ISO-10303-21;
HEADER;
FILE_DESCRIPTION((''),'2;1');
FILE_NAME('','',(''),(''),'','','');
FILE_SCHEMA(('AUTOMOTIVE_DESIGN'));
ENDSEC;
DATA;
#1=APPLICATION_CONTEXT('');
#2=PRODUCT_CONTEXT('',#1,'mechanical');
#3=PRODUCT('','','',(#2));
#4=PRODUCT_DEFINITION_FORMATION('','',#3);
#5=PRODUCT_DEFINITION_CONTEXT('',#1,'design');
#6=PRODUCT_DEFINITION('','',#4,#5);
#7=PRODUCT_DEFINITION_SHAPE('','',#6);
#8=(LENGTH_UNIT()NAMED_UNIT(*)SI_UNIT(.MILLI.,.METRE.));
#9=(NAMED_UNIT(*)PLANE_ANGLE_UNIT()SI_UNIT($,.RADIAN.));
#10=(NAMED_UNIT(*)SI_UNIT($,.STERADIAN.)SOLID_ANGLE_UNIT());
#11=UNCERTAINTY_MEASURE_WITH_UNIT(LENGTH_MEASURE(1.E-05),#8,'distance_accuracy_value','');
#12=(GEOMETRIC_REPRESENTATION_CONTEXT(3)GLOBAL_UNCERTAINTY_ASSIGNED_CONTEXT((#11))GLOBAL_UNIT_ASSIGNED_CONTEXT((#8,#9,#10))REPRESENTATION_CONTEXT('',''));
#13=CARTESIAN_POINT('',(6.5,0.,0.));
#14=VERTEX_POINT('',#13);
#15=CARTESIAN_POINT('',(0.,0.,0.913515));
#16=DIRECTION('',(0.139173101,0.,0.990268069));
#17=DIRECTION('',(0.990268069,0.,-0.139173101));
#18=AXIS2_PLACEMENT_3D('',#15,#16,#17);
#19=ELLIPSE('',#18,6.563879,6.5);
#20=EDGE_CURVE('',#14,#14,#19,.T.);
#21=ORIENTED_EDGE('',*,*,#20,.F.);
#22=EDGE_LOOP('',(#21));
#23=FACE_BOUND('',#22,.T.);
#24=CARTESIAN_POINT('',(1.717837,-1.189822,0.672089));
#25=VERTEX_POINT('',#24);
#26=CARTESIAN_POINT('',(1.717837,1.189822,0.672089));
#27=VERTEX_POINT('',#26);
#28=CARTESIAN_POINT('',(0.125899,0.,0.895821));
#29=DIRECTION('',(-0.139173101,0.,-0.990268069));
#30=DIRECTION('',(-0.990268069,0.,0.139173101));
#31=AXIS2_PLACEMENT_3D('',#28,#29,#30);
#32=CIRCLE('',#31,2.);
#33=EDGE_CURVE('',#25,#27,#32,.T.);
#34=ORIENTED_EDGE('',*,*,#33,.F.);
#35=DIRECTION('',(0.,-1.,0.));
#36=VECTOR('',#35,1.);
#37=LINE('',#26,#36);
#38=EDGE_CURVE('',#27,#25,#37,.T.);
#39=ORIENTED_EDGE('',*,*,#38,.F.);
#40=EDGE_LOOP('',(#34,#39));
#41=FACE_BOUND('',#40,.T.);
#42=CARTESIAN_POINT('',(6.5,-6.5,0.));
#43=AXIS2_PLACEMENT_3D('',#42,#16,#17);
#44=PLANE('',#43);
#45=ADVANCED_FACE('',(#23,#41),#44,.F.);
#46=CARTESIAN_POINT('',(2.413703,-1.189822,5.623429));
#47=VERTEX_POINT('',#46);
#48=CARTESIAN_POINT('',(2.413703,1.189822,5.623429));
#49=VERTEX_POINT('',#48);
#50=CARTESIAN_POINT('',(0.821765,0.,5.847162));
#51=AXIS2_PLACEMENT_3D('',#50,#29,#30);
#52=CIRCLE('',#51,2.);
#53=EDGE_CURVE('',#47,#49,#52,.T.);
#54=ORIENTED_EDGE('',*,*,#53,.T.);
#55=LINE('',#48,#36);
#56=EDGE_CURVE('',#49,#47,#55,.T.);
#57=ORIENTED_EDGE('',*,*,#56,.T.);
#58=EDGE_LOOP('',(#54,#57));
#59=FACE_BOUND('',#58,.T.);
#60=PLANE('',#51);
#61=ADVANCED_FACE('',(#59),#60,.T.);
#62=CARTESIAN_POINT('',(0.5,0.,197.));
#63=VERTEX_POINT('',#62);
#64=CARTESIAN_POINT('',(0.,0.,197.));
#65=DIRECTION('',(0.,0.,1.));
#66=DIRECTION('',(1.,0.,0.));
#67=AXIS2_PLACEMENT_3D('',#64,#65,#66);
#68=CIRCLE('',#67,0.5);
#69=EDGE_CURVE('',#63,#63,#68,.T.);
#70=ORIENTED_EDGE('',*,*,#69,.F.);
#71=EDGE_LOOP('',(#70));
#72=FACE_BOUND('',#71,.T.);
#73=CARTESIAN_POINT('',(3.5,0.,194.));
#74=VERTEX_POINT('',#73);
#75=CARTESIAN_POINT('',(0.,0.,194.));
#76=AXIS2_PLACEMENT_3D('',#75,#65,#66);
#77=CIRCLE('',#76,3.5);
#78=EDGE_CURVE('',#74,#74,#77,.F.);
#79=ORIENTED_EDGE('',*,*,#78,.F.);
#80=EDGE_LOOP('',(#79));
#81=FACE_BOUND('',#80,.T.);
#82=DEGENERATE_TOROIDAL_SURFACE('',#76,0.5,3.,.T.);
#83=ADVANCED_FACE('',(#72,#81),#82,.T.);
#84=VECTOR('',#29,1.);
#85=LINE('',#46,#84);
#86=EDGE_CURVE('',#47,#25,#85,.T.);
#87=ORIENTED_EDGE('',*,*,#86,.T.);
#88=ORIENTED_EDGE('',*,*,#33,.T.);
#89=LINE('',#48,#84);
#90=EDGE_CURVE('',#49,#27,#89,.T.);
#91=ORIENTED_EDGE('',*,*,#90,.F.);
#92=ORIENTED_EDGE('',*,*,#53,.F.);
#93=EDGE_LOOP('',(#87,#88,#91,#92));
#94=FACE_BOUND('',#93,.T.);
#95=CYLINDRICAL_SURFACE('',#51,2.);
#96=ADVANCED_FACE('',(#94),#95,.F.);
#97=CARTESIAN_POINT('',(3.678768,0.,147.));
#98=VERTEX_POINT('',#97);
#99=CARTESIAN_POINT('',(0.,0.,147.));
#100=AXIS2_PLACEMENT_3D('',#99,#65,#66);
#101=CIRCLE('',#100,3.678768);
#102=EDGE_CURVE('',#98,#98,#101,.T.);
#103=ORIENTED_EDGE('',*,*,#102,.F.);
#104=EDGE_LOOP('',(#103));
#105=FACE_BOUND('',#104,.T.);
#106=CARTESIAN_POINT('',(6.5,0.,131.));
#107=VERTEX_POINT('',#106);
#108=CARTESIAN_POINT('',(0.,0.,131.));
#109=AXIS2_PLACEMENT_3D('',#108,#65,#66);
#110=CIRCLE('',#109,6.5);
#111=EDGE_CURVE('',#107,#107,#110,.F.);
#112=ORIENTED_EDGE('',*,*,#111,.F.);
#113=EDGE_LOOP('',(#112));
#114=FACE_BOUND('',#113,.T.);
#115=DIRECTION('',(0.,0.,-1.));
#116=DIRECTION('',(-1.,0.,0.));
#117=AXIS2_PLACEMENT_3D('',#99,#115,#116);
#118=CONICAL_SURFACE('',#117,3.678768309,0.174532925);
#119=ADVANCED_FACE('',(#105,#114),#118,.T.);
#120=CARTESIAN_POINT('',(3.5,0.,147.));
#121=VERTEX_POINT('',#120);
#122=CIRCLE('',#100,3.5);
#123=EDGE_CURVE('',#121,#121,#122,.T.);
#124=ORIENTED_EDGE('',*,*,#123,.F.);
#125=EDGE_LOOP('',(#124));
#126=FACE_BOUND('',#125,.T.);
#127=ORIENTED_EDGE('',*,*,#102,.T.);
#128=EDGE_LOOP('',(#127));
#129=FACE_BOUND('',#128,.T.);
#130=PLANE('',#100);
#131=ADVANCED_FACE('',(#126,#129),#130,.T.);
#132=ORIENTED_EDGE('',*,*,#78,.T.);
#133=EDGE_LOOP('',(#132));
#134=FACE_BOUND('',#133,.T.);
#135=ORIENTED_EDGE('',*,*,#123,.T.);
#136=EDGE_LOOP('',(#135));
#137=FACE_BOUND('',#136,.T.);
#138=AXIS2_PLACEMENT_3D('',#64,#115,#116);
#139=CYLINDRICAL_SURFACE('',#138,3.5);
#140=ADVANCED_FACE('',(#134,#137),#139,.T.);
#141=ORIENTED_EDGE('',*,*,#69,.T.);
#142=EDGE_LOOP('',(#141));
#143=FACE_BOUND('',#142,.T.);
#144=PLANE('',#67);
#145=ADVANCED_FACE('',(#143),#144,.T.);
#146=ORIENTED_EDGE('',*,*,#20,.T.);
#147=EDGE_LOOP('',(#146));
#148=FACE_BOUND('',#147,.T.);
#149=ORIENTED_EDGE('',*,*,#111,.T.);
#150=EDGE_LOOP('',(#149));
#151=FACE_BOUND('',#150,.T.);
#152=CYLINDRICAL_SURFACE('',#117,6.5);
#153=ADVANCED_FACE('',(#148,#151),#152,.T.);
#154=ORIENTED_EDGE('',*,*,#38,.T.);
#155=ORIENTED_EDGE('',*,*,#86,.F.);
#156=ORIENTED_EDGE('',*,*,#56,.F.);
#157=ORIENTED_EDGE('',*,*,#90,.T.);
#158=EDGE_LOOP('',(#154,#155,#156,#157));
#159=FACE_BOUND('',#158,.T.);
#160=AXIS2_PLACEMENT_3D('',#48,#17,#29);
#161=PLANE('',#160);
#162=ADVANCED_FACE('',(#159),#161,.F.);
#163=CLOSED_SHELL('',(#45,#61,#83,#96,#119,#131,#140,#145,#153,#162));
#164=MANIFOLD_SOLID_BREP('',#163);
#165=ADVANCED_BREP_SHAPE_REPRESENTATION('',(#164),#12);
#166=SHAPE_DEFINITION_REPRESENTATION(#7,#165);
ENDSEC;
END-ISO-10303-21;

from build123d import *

# Parameters (mm, degrees)
ESQUISSE1_R                  = 6.5
BOSS_EXTRU_1_DEPTH           = 147
ESQUISSE2_R                  = 3.5
BOSS_EXTRU_2_DEPTH           = 50
CONG_1_R                     = 3
CHANFREIN1_SIZE              = 16
CHANFREIN1_SIZE2             = 2.821231691
ENL_V_MAT_EXTRU_1_DEPTH      = 198.214350391
ENL_V_MAT_EXTRU_1_DEPTH_BACK = 198.214350391
ENL_V_MAT_EXTRU_2_DEPTH      = 5


with BuildPart() as part:
    # Esquisse1 → Boss.-Extru.1 (new body)
    with BuildSketch(Plane.XY):
        Circle(ESQUISSE1_R)
    extrude(amount=BOSS_EXTRU_1_DEPTH)

    # Esquisse2 → Boss.-Extru.2 (add)
    with BuildSketch(Plane.XY.offset(147)):
        Circle(ESQUISSE2_R)
    extrude(amount=BOSS_EXTRU_2_DEPTH)

    # Congé1
    cong_1_edges = [part.edges().sort_by_distance(p)[0] for p in [
        (-3.5, 0, 197),
    ]]
    fillet(cong_1_edges, radius=CONG_1_R)

    # Chanfrein1
    chanfrein1_edges = [part.edges().sort_by_distance(p)[0] for p in [
        (-6.5, 0, 147),
    ]]
    chanfrein1_side = [part.faces().sort_by_distance(p)[0] for p in [
        (-6.5, 0, 73.5),
    ]]
    chamfer(chanfrein1_edges, length=CHANFREIN1_SIZE, length2=CHANFREIN1_SIZE2, reference=chanfrein1_side[0])

    # Esquisse3 → Enlèv. mat.-Extru.1 (cut, two sides: drawn at the far end of the back side and taken through both)
    with BuildSketch(Plane(origin=(0, 0, 0), x_dir=(1, 0, 0), z_dir=(0, 1, 0)).offset(-ENL_V_MAT_EXTRU_1_DEPTH_BACK)):
        Polygon((6.5, 0), (-6.5, -1.827030851), (-6.5, 0), align=None)
    extrude(amount=ENL_V_MAT_EXTRU_1_DEPTH + ENL_V_MAT_EXTRU_1_DEPTH_BACK, mode=Mode.SUBTRACT)

    # Esquisse4 → Enlèv. mat.-Extru.2 (cut)
    with BuildSketch(Plane(origin=(0.125899488, 0, 0.895821406), x_dir=(-0.9902680687415714, 0, 0.1391731009600587), z_dir=(-0.1391731009600587, 0, -0.9902680687415714))):
        with BuildLine():
            Line((-1.607582844, 1.189822423), (-1.607582844, -1.189822423))
            ThreePointArc((-1.607582844, -1.189822423), (2, 0), (-1.607582844, 1.189822423))
        make_face()
    extrude(amount=-ENL_V_MAT_EXTRU_2_DEPTH, mode=Mode.SUBTRACT)


solid = part.part
